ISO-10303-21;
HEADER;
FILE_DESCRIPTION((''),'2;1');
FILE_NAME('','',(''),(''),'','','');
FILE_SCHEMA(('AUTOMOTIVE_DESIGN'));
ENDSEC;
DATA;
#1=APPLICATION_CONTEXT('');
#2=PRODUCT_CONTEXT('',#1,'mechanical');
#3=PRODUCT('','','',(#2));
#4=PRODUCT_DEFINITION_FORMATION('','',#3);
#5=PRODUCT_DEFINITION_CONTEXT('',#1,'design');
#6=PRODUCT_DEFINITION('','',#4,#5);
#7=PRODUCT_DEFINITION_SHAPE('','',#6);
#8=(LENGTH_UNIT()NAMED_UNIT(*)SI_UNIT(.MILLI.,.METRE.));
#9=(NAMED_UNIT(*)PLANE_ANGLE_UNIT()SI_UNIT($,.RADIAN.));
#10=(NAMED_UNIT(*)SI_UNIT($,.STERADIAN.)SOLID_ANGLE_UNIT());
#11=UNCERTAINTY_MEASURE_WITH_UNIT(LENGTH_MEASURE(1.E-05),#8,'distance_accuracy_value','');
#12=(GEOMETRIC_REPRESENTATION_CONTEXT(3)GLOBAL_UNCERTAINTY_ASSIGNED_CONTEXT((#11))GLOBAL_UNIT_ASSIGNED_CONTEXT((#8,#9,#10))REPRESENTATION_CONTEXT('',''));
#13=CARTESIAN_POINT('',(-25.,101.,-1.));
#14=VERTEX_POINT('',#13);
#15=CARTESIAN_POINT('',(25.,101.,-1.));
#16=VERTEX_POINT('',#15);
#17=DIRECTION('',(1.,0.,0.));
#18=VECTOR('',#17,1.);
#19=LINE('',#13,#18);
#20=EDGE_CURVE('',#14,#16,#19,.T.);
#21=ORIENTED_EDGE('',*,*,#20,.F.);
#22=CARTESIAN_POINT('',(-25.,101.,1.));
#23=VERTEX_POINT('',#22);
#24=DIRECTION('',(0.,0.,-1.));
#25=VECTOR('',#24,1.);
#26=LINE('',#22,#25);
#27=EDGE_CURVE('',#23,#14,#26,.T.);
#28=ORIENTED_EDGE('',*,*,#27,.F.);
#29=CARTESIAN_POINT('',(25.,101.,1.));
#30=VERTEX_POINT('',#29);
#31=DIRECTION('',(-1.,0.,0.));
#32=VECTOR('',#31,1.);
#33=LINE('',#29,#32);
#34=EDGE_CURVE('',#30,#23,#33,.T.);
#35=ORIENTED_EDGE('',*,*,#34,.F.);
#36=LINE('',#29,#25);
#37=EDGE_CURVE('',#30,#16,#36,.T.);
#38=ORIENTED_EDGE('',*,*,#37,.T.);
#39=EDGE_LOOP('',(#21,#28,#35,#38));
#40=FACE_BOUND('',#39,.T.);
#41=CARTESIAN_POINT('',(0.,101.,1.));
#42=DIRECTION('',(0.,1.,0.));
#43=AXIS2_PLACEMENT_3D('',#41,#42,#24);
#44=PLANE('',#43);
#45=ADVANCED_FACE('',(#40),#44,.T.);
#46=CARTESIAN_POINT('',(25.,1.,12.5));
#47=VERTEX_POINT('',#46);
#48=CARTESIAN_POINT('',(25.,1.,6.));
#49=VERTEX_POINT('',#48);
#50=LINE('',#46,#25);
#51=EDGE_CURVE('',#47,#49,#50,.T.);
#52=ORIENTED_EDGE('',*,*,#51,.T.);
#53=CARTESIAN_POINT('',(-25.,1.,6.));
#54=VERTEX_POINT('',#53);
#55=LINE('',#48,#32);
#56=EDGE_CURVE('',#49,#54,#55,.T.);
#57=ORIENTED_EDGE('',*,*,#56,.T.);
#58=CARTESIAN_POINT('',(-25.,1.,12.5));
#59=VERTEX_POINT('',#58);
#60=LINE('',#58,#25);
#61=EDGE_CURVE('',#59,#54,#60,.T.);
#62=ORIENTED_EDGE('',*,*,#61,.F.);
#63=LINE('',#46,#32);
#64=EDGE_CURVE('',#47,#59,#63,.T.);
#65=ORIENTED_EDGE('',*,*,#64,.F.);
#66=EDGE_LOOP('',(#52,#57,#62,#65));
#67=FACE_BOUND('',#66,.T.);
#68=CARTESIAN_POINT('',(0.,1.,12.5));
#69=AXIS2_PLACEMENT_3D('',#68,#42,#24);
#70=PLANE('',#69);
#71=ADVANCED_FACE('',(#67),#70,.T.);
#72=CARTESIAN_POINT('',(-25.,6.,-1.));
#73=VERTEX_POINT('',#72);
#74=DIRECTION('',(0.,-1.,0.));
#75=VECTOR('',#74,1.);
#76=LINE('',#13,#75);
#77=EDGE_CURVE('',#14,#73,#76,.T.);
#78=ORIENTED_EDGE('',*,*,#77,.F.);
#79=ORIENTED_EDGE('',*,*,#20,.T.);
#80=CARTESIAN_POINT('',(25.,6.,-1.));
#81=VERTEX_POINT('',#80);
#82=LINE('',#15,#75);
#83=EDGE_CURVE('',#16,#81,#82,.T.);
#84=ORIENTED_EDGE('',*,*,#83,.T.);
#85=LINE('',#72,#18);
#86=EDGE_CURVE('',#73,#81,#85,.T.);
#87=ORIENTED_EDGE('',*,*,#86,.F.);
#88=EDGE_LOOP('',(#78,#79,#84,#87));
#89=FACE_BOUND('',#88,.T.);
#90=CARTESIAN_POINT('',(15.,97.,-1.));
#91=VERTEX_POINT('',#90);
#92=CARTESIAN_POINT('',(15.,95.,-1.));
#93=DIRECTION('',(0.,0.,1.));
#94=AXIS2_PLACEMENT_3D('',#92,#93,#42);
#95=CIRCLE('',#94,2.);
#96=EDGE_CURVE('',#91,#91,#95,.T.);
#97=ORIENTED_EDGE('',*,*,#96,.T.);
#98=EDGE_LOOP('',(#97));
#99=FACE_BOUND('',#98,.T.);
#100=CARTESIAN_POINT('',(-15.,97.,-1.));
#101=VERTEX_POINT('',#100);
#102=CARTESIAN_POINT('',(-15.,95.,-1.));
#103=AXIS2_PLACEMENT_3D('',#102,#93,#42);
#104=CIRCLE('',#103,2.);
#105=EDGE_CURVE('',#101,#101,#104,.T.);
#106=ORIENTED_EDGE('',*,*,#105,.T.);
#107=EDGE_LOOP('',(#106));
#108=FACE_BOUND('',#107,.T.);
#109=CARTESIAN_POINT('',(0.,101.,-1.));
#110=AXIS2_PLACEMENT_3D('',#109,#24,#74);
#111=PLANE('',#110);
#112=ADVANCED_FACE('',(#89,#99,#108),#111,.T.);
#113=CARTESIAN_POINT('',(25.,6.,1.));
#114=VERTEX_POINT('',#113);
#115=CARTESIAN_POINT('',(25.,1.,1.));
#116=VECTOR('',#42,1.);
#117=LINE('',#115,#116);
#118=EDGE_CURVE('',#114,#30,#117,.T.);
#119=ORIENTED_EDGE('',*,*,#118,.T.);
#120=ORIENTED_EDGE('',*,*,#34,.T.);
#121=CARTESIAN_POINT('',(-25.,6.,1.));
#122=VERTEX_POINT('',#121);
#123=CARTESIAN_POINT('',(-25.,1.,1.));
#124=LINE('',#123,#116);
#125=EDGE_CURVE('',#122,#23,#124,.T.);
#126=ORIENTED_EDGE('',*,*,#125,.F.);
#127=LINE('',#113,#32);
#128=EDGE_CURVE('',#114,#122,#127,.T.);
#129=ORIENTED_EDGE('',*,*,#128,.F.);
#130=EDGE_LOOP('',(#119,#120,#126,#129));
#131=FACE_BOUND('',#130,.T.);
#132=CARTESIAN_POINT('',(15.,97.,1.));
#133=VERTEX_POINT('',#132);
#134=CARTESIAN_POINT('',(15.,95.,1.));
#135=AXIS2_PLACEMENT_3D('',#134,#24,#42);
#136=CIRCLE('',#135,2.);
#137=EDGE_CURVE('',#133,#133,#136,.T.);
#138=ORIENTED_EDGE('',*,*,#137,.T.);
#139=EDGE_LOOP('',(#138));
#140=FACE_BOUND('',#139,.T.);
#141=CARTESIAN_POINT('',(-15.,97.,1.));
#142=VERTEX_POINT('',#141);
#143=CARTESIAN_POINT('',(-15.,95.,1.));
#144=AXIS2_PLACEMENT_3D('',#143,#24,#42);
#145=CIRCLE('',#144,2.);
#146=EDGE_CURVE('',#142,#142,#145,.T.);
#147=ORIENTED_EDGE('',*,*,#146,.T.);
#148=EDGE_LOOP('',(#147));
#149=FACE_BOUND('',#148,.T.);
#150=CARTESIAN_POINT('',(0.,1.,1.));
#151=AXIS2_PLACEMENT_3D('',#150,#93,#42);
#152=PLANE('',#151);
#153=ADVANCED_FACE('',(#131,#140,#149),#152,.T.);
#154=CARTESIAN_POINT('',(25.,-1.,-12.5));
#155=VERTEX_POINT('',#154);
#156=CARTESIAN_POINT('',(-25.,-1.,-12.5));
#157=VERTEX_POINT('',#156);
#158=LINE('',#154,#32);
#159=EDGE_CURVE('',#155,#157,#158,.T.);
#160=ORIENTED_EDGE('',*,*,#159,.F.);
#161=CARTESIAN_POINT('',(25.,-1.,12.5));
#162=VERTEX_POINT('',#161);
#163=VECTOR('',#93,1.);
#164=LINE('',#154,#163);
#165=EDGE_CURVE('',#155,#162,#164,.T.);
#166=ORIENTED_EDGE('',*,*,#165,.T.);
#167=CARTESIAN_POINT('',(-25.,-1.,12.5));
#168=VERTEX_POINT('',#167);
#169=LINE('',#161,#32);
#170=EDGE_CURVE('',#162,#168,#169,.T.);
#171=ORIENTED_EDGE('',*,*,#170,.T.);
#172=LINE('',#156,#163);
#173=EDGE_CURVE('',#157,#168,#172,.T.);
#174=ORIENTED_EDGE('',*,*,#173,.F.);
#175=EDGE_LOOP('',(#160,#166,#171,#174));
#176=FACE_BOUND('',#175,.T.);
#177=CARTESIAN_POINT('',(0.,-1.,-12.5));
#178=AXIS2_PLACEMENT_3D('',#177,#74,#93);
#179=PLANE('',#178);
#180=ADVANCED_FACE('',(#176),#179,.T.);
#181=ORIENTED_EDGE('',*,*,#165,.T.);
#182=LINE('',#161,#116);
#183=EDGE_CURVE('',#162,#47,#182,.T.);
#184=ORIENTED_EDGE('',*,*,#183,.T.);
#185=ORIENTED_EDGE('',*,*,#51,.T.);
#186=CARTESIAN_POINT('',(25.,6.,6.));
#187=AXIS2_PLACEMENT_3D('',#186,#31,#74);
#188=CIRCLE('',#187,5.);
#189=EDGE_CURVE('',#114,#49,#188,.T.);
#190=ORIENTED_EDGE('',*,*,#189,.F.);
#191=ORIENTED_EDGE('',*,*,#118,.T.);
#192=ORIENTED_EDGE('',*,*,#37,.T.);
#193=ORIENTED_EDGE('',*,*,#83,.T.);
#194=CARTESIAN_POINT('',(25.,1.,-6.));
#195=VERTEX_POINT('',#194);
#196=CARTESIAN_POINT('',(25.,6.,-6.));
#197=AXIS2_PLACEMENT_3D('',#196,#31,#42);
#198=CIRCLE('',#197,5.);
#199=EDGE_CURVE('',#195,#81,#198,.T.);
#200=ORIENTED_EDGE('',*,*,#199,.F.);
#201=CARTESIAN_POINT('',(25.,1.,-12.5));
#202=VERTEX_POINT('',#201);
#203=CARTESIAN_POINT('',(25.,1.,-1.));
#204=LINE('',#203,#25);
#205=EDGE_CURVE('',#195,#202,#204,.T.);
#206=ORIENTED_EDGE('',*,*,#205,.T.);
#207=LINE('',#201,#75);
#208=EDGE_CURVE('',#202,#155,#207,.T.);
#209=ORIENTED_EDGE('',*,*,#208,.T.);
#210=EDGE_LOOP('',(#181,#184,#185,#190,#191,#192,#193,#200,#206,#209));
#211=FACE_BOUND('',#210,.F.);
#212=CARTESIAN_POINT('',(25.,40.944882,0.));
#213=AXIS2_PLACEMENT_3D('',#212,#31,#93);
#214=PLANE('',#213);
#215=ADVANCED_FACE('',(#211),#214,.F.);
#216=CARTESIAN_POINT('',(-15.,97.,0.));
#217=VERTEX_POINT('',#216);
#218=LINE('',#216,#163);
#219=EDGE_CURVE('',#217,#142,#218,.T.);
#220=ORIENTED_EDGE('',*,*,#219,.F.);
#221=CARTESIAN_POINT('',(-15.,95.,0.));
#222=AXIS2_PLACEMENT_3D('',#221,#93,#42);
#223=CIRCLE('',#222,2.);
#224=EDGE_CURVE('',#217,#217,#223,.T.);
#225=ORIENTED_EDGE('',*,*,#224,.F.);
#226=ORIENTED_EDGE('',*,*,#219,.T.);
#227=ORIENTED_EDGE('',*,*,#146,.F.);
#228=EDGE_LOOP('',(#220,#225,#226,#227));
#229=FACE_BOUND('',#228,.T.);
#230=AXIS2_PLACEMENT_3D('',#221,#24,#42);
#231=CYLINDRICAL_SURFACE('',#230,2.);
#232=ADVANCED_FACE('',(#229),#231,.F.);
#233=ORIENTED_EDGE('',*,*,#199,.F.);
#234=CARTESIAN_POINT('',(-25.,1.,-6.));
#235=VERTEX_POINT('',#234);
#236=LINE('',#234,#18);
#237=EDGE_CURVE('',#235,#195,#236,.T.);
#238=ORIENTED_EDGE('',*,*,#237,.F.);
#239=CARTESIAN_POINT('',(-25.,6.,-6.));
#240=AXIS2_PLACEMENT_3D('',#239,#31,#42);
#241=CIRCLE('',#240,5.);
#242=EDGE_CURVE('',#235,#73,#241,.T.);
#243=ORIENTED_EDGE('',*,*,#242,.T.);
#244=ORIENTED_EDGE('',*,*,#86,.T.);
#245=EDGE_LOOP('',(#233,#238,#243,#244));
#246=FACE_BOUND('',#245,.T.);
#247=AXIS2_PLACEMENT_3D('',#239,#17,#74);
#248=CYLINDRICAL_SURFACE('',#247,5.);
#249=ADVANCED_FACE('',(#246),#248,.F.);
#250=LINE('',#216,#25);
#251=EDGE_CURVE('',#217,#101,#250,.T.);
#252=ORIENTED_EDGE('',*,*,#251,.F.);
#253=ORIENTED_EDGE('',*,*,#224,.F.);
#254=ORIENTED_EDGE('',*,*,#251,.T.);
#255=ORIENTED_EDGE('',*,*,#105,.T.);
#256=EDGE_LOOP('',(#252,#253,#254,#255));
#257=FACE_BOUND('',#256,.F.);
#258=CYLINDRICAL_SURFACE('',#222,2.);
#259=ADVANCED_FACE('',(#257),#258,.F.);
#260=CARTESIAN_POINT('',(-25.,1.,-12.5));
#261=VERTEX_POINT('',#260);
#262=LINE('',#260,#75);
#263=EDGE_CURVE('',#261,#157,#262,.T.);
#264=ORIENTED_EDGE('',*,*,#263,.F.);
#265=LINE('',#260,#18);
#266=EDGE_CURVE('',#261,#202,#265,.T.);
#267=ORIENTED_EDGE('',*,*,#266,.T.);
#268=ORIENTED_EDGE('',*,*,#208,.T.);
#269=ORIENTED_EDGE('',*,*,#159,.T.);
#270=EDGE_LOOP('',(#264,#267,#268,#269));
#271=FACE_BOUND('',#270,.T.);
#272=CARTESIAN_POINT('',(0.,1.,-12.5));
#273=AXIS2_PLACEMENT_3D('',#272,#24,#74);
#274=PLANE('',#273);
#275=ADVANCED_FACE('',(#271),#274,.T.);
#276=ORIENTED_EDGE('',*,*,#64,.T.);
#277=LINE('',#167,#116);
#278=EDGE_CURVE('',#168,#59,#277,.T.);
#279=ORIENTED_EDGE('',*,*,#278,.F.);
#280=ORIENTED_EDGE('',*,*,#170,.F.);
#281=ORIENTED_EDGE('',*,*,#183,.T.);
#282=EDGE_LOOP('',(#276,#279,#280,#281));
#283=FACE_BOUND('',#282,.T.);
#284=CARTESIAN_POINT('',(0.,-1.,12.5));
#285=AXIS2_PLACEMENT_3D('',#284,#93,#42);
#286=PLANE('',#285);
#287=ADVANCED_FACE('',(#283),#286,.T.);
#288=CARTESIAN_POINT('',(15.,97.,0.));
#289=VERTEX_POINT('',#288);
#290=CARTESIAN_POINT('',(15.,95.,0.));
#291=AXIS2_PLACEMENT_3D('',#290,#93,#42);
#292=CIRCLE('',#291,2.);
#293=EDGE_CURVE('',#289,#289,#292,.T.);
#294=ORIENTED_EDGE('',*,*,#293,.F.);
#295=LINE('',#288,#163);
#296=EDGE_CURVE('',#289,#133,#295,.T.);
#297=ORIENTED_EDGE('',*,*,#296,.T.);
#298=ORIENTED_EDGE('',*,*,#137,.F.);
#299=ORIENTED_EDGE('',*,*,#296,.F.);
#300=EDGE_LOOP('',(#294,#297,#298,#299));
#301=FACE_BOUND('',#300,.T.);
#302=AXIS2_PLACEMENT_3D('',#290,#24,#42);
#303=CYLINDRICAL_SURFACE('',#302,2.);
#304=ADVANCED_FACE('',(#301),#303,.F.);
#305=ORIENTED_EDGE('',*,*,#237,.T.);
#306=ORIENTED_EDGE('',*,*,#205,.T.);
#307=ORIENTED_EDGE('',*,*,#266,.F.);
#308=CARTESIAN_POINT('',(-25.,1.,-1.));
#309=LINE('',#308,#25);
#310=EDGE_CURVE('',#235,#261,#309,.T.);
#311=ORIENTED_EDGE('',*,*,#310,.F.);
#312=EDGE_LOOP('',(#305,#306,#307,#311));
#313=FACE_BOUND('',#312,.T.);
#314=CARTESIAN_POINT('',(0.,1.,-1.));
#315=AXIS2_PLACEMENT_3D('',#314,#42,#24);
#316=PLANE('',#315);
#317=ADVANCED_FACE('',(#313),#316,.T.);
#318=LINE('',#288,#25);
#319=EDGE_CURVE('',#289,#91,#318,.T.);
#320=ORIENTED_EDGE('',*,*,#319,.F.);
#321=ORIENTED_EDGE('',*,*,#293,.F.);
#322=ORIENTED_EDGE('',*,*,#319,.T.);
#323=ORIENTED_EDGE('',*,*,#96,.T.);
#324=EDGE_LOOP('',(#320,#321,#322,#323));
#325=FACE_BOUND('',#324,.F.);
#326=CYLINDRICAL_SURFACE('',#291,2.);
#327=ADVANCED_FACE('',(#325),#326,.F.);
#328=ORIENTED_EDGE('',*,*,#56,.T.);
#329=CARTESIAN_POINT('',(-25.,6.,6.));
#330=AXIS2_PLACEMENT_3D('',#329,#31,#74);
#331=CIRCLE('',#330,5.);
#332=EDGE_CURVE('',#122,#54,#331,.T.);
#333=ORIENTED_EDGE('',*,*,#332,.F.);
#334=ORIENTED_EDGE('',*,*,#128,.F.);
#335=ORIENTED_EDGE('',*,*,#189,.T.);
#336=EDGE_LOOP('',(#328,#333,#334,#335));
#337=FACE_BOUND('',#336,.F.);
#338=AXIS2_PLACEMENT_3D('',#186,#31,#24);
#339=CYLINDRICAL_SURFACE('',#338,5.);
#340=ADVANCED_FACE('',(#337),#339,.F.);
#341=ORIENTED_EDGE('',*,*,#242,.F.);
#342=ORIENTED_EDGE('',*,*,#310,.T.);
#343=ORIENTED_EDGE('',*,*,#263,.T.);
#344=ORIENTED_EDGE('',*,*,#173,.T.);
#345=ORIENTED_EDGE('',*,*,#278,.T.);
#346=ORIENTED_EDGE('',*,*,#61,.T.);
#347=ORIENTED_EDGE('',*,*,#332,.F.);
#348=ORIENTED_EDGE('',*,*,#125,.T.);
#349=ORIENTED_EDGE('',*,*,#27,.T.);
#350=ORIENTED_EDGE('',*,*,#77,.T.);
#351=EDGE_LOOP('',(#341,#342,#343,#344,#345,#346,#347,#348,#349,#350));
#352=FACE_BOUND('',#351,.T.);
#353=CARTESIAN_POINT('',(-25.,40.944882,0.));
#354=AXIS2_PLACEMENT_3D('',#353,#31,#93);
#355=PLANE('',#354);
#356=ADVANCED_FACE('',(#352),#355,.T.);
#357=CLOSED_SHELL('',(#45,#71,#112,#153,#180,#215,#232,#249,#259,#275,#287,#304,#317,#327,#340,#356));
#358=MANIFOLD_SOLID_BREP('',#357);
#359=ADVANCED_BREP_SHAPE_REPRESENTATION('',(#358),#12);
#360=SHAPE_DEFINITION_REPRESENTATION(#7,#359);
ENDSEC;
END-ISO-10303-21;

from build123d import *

# Parameters (mm, degrees)
PAD_DEPTH            = 25
FILLET_R             = 5
SKETCH001_R          = 2
POCKET_DEPTH         = 12.501
POCKET_DEPTH_BACK    = -12.501
BODY_PLACEMENT_ANGLE = 270


with BuildPart() as part:
    # Sketch → Pad (new body, symmetric)
    with BuildSketch(Plane.XY):
        Polygon((-12.5, 1), (-12.5, -1), (12.5, -1), (12.5, 1), (1, 1), (1, 101), (-1, 101), (-1, 1), align=None)
    extrude(amount=PAD_DEPTH, both=True)

    # Fillet
    fillet_edges = [part.edges().sort_by_distance(p)[0] for p in [
        (-1, 1, 0),
        (1, 1, 0),
    ]]
    fillet(fillet_edges, radius=FILLET_R)

    # Sketch001 → Pocket (cut, two sides)
    with BuildSketch(Plane.YZ) as pocket_sk:
        with Locations((95, 15)):
            Circle(SKETCH001_R)
        with Locations((95, -15)):
            Circle(SKETCH001_R)
    extrude(amount=-POCKET_DEPTH, mode=Mode.SUBTRACT)
    extrude(pocket_sk.sketch, amount=-POCKET_DEPTH_BACK, mode=Mode.SUBTRACT)


with BuildPart() as part_1:
    # Body placement: moved
    add(part.part.rotate(Axis((0, 0, 0), (0, 1, 0)), BODY_PLACEMENT_ANGLE))


solid = part_1.part
